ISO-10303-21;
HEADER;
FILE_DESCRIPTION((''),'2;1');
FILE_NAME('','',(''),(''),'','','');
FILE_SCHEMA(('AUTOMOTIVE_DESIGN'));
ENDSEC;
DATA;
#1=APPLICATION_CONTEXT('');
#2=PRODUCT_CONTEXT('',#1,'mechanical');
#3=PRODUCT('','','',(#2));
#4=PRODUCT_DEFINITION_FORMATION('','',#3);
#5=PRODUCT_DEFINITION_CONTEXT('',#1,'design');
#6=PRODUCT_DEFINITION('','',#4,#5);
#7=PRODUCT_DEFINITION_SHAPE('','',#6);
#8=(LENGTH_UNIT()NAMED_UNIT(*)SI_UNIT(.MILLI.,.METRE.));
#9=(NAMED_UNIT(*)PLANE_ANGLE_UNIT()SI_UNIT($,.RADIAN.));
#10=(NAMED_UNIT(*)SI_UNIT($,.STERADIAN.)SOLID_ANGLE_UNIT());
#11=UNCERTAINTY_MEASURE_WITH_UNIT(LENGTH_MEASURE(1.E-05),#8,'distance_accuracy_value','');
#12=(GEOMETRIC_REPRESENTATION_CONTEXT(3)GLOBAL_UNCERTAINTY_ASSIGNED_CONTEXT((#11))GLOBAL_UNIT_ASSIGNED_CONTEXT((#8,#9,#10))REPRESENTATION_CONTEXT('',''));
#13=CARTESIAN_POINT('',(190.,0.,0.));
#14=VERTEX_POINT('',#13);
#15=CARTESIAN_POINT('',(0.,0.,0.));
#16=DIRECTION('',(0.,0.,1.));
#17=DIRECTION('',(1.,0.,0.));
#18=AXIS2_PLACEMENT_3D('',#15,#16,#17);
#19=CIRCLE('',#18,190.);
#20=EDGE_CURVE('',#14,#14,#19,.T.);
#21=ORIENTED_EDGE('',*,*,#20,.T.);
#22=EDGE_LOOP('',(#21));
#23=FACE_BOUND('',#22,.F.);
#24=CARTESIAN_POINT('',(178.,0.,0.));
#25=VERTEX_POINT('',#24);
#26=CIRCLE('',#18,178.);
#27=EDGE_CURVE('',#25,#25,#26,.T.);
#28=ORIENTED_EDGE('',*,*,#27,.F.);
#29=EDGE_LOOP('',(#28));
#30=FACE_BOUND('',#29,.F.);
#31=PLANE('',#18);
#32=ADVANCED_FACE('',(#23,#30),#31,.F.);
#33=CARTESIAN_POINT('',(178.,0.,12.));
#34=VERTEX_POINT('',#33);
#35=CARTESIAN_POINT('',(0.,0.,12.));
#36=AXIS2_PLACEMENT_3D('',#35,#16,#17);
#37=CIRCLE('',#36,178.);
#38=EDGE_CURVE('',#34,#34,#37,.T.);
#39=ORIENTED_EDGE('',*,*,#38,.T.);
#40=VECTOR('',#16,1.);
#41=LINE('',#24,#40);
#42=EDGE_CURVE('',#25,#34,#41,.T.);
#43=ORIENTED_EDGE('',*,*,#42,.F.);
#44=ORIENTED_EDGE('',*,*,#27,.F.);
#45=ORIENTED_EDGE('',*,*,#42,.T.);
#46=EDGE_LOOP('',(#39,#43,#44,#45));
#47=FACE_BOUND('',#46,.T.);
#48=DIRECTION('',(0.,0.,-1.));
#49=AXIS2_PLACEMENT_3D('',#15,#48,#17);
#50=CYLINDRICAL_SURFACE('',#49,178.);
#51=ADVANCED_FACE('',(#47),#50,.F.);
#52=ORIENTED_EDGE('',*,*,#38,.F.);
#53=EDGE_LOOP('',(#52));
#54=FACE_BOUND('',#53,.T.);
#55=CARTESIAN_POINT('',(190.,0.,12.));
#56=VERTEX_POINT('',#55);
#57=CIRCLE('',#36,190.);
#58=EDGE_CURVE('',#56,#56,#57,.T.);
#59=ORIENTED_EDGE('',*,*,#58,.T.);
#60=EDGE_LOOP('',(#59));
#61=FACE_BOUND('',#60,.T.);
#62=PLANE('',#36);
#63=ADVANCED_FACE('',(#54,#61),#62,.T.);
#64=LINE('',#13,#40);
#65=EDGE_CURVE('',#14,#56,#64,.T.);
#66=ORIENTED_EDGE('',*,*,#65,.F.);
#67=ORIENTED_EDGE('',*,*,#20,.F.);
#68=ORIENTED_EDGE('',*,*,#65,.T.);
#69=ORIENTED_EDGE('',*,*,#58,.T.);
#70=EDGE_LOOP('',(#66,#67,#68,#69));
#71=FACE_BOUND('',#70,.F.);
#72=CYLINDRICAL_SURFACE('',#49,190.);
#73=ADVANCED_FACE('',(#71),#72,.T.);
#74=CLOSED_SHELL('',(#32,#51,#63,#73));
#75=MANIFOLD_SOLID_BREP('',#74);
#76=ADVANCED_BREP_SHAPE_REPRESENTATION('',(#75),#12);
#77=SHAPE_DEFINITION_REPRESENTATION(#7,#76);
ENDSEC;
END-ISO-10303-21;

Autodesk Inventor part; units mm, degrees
ref_plane "YZ Plane" through (0, 0, 0) normal (1, 0, 0) x (0, 1, 0)
ref_plane "XZ Plane" through (0, 0, 0) normal (0, 1, 0) x (-1, 0, 0)
ref_plane "XY Plane" through (0, 0, 0) normal (0, 0, 1) x (1, 0, 0)
sketch "Эскиз1" plane through (0, 0, 0) normal (0, 0, 1) x (1, 0, 0)
  circle A0 centre (0, 0) radius 178
  circle A1 centre (0, 0) radius 190
  dimension "d0" = 356
  dimension "d1" = 380
extrude "Выдавливание1" add sketch "Эскиз1" along normal blind 12
properties part number "Кольцо поршня" material "Нержавеющая сталь"
